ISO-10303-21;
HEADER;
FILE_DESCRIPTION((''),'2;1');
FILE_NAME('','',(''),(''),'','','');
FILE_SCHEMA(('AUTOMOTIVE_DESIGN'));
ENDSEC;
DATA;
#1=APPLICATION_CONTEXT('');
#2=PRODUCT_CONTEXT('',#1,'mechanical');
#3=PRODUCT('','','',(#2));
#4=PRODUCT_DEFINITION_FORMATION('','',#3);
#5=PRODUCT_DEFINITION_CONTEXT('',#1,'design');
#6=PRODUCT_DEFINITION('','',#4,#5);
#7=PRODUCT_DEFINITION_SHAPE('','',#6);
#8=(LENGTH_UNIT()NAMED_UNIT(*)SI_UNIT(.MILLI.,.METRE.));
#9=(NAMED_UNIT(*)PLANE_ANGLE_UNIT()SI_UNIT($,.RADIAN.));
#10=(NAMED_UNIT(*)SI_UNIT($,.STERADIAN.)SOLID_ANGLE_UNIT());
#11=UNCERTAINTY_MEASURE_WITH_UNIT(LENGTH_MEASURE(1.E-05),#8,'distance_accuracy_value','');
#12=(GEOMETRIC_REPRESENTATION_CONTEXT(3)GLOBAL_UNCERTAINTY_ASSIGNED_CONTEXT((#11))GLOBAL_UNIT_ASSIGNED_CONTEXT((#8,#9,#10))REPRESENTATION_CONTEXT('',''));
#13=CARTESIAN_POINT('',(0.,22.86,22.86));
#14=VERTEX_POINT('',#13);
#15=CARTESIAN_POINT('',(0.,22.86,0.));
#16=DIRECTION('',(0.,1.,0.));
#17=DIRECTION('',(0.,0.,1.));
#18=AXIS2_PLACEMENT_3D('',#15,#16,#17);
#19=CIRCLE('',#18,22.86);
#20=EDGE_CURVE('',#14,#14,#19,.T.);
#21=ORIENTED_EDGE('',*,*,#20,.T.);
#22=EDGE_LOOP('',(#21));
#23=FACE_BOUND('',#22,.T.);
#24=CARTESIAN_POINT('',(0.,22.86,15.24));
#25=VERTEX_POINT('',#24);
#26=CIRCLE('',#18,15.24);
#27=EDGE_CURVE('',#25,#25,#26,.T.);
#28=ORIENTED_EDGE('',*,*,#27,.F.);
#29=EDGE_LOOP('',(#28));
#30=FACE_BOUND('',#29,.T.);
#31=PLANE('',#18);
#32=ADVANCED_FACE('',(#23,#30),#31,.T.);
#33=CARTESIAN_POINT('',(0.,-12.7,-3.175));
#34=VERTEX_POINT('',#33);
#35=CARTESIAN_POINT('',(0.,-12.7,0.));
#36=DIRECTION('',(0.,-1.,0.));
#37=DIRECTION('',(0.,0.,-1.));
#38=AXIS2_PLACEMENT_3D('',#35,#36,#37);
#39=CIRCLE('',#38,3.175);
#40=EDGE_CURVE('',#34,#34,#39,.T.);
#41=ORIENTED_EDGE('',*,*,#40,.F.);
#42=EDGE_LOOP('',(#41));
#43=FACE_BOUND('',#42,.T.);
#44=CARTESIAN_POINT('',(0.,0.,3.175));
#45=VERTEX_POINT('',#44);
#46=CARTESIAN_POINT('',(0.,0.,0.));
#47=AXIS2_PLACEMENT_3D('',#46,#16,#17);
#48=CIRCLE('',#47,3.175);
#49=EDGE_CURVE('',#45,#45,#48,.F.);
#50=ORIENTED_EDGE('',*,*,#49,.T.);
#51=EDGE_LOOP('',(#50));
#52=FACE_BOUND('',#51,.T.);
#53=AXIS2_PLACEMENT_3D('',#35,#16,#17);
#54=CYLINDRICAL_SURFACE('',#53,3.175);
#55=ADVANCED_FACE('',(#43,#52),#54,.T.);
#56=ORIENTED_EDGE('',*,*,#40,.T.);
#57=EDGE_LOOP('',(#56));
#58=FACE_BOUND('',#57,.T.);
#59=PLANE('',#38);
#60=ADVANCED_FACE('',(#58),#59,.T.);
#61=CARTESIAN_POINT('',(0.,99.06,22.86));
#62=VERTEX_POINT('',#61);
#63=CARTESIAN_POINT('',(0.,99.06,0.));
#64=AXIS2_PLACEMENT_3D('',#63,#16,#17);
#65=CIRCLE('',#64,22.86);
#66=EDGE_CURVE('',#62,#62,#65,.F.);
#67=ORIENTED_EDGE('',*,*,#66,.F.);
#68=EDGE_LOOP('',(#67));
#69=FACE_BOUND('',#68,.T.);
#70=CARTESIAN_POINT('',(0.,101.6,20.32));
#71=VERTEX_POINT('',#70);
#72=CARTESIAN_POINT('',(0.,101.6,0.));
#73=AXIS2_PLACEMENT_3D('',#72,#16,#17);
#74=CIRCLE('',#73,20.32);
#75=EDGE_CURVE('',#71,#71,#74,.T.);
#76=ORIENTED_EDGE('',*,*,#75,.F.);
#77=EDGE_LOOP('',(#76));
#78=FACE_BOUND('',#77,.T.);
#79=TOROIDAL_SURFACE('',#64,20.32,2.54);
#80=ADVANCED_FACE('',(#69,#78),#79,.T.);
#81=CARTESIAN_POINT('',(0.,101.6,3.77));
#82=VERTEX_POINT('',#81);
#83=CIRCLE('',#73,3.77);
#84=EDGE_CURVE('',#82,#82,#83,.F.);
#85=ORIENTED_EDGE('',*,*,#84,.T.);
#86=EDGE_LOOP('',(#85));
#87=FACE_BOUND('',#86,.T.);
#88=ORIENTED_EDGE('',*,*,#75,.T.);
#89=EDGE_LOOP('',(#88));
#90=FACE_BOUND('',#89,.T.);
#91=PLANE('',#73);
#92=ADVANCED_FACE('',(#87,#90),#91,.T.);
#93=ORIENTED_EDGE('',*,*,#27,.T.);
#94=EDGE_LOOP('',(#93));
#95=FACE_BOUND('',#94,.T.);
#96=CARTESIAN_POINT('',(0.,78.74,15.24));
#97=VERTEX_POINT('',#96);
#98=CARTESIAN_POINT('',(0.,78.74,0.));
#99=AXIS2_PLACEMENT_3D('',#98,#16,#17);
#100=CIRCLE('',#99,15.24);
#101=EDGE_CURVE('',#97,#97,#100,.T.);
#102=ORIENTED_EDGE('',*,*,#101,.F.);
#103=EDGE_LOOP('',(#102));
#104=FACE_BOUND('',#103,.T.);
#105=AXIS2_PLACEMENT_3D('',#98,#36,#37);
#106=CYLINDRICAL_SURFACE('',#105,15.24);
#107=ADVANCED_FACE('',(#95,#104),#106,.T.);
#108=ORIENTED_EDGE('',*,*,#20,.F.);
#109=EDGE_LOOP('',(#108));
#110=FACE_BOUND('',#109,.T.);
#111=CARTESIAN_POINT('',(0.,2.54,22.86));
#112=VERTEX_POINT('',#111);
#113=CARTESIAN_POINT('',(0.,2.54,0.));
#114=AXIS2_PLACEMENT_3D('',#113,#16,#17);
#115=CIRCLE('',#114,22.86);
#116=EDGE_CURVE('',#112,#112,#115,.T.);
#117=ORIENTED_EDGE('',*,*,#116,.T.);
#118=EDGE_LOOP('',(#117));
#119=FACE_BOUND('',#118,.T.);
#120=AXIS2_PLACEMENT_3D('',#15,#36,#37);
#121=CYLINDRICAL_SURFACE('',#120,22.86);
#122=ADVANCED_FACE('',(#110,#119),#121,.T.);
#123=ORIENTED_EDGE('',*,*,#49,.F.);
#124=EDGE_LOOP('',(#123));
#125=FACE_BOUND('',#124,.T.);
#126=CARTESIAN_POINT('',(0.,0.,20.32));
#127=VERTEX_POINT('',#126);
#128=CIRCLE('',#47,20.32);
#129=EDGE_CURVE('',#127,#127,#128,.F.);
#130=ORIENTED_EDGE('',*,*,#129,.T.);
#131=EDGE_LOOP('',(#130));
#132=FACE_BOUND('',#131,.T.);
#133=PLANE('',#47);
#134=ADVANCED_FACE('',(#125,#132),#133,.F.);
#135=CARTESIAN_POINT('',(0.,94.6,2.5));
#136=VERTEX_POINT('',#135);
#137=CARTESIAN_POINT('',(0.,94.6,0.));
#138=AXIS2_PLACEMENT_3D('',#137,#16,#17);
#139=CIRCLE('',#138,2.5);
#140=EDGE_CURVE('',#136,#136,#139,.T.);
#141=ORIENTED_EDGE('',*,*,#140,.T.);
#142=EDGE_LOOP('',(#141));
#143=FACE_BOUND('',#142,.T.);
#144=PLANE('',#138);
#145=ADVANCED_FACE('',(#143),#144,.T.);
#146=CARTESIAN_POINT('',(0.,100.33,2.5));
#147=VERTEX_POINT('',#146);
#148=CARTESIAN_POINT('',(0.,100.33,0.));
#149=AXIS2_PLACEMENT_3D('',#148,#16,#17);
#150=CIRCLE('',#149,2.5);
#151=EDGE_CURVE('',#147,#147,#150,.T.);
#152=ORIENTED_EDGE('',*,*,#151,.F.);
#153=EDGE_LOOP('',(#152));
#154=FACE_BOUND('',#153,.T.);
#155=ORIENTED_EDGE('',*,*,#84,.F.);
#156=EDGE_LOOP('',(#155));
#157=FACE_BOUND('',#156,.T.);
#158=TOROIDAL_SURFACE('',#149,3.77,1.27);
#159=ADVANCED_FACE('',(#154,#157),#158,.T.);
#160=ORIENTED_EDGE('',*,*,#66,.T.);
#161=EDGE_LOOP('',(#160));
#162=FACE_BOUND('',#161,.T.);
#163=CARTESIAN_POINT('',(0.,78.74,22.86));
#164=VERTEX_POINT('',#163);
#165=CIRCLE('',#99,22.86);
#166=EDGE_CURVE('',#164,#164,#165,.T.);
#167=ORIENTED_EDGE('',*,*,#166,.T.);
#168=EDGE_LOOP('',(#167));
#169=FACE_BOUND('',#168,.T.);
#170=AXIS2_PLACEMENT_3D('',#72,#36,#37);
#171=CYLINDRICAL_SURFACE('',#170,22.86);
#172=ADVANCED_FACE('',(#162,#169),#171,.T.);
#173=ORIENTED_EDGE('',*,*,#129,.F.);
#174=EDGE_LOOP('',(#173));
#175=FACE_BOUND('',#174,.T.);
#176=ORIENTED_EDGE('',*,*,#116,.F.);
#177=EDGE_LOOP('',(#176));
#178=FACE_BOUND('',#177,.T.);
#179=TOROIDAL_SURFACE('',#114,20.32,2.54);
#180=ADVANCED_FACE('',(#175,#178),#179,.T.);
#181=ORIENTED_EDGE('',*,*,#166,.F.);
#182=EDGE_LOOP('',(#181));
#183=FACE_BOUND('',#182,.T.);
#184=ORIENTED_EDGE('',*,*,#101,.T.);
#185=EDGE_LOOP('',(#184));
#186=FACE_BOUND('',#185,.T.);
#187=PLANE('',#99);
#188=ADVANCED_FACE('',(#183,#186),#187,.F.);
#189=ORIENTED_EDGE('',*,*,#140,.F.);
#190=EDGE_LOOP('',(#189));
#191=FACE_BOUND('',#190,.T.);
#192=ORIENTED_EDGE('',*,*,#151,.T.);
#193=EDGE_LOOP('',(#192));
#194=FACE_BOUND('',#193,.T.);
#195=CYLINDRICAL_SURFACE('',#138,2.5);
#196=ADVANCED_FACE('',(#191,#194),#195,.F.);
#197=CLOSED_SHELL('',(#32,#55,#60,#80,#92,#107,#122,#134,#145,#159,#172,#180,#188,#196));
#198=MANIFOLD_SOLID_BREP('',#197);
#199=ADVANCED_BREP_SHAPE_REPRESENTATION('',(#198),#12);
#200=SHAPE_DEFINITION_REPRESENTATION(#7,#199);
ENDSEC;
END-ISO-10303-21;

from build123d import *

# Parameters (mm, degrees)
SKETCH1_R           = 22.86
BOSS_EXTRUDE1_DEPTH = 22.86
SKETCH3_R           = 15.24
BOSS_EXTRUDE2_DEPTH = 55.88
SKETCH4_R           = 22.86
BOSS_EXTRUDE3_DEPTH = 22.86
FILLET3_R           = 2.54
SKETCH5_R           = 2.5
CUT_EXTRUDE1_DEPTH  = 7
FILLET4_R           = 1.27
SKETCH8_R           = 3.175
BOSS_EXTRUDE4_DEPTH = 12.7


with BuildPart() as part:
    # Sketch1 → Boss-Extrude1 (new body)
    with BuildSketch(Plane(origin=(0, 0, 0), x_dir=(1, 0, 0), z_dir=(0, 1, 0))):
        Circle(SKETCH1_R)
    extrude(amount=BOSS_EXTRUDE1_DEPTH)

    # Sketch3 → Boss-Extrude2 (add)
    with BuildSketch(Plane(origin=(0, 22.86, 0), x_dir=(1, 0, 0), z_dir=(0, 1, 0))):
        Circle(SKETCH3_R)
    extrude(amount=BOSS_EXTRUDE2_DEPTH)

    # Sketch4 → Boss-Extrude3 (add)
    with BuildSketch(Plane(origin=(0, 78.74, 0), x_dir=(1, 0, 0), z_dir=(0, 1, 0))):
        Circle(SKETCH4_R)
    extrude(amount=BOSS_EXTRUDE3_DEPTH)

    # Fillet3
    fillet3_edges = [part.edges().sort_by_distance(p)[0] for p in [
        (-22.86, 101.6, 0),
        (-22.86, 0, 0),
    ]]
    fillet(fillet3_edges, radius=FILLET3_R)

    # Sketch5 → Cut-Extrude1 (cut)
    with BuildSketch(Plane(origin=(0, 101.6, 0), x_dir=(1, 0, 0), z_dir=(0, 1, 0))):
        Circle(SKETCH5_R)
    extrude(amount=-CUT_EXTRUDE1_DEPTH, mode=Mode.SUBTRACT)

    # Fillet4
    fillet4_edges = [part.edges().sort_by_distance(p)[0] for p in [
        (-2.5, 101.6, 0),
    ]]
    fillet(fillet4_edges, radius=FILLET4_R)

    # Sketch8 → Boss-Extrude4 (add)
    with BuildSketch(Plane.XZ):
        Circle(SKETCH8_R)
    extrude(amount=BOSS_EXTRUDE4_DEPTH)


solid = part.part
